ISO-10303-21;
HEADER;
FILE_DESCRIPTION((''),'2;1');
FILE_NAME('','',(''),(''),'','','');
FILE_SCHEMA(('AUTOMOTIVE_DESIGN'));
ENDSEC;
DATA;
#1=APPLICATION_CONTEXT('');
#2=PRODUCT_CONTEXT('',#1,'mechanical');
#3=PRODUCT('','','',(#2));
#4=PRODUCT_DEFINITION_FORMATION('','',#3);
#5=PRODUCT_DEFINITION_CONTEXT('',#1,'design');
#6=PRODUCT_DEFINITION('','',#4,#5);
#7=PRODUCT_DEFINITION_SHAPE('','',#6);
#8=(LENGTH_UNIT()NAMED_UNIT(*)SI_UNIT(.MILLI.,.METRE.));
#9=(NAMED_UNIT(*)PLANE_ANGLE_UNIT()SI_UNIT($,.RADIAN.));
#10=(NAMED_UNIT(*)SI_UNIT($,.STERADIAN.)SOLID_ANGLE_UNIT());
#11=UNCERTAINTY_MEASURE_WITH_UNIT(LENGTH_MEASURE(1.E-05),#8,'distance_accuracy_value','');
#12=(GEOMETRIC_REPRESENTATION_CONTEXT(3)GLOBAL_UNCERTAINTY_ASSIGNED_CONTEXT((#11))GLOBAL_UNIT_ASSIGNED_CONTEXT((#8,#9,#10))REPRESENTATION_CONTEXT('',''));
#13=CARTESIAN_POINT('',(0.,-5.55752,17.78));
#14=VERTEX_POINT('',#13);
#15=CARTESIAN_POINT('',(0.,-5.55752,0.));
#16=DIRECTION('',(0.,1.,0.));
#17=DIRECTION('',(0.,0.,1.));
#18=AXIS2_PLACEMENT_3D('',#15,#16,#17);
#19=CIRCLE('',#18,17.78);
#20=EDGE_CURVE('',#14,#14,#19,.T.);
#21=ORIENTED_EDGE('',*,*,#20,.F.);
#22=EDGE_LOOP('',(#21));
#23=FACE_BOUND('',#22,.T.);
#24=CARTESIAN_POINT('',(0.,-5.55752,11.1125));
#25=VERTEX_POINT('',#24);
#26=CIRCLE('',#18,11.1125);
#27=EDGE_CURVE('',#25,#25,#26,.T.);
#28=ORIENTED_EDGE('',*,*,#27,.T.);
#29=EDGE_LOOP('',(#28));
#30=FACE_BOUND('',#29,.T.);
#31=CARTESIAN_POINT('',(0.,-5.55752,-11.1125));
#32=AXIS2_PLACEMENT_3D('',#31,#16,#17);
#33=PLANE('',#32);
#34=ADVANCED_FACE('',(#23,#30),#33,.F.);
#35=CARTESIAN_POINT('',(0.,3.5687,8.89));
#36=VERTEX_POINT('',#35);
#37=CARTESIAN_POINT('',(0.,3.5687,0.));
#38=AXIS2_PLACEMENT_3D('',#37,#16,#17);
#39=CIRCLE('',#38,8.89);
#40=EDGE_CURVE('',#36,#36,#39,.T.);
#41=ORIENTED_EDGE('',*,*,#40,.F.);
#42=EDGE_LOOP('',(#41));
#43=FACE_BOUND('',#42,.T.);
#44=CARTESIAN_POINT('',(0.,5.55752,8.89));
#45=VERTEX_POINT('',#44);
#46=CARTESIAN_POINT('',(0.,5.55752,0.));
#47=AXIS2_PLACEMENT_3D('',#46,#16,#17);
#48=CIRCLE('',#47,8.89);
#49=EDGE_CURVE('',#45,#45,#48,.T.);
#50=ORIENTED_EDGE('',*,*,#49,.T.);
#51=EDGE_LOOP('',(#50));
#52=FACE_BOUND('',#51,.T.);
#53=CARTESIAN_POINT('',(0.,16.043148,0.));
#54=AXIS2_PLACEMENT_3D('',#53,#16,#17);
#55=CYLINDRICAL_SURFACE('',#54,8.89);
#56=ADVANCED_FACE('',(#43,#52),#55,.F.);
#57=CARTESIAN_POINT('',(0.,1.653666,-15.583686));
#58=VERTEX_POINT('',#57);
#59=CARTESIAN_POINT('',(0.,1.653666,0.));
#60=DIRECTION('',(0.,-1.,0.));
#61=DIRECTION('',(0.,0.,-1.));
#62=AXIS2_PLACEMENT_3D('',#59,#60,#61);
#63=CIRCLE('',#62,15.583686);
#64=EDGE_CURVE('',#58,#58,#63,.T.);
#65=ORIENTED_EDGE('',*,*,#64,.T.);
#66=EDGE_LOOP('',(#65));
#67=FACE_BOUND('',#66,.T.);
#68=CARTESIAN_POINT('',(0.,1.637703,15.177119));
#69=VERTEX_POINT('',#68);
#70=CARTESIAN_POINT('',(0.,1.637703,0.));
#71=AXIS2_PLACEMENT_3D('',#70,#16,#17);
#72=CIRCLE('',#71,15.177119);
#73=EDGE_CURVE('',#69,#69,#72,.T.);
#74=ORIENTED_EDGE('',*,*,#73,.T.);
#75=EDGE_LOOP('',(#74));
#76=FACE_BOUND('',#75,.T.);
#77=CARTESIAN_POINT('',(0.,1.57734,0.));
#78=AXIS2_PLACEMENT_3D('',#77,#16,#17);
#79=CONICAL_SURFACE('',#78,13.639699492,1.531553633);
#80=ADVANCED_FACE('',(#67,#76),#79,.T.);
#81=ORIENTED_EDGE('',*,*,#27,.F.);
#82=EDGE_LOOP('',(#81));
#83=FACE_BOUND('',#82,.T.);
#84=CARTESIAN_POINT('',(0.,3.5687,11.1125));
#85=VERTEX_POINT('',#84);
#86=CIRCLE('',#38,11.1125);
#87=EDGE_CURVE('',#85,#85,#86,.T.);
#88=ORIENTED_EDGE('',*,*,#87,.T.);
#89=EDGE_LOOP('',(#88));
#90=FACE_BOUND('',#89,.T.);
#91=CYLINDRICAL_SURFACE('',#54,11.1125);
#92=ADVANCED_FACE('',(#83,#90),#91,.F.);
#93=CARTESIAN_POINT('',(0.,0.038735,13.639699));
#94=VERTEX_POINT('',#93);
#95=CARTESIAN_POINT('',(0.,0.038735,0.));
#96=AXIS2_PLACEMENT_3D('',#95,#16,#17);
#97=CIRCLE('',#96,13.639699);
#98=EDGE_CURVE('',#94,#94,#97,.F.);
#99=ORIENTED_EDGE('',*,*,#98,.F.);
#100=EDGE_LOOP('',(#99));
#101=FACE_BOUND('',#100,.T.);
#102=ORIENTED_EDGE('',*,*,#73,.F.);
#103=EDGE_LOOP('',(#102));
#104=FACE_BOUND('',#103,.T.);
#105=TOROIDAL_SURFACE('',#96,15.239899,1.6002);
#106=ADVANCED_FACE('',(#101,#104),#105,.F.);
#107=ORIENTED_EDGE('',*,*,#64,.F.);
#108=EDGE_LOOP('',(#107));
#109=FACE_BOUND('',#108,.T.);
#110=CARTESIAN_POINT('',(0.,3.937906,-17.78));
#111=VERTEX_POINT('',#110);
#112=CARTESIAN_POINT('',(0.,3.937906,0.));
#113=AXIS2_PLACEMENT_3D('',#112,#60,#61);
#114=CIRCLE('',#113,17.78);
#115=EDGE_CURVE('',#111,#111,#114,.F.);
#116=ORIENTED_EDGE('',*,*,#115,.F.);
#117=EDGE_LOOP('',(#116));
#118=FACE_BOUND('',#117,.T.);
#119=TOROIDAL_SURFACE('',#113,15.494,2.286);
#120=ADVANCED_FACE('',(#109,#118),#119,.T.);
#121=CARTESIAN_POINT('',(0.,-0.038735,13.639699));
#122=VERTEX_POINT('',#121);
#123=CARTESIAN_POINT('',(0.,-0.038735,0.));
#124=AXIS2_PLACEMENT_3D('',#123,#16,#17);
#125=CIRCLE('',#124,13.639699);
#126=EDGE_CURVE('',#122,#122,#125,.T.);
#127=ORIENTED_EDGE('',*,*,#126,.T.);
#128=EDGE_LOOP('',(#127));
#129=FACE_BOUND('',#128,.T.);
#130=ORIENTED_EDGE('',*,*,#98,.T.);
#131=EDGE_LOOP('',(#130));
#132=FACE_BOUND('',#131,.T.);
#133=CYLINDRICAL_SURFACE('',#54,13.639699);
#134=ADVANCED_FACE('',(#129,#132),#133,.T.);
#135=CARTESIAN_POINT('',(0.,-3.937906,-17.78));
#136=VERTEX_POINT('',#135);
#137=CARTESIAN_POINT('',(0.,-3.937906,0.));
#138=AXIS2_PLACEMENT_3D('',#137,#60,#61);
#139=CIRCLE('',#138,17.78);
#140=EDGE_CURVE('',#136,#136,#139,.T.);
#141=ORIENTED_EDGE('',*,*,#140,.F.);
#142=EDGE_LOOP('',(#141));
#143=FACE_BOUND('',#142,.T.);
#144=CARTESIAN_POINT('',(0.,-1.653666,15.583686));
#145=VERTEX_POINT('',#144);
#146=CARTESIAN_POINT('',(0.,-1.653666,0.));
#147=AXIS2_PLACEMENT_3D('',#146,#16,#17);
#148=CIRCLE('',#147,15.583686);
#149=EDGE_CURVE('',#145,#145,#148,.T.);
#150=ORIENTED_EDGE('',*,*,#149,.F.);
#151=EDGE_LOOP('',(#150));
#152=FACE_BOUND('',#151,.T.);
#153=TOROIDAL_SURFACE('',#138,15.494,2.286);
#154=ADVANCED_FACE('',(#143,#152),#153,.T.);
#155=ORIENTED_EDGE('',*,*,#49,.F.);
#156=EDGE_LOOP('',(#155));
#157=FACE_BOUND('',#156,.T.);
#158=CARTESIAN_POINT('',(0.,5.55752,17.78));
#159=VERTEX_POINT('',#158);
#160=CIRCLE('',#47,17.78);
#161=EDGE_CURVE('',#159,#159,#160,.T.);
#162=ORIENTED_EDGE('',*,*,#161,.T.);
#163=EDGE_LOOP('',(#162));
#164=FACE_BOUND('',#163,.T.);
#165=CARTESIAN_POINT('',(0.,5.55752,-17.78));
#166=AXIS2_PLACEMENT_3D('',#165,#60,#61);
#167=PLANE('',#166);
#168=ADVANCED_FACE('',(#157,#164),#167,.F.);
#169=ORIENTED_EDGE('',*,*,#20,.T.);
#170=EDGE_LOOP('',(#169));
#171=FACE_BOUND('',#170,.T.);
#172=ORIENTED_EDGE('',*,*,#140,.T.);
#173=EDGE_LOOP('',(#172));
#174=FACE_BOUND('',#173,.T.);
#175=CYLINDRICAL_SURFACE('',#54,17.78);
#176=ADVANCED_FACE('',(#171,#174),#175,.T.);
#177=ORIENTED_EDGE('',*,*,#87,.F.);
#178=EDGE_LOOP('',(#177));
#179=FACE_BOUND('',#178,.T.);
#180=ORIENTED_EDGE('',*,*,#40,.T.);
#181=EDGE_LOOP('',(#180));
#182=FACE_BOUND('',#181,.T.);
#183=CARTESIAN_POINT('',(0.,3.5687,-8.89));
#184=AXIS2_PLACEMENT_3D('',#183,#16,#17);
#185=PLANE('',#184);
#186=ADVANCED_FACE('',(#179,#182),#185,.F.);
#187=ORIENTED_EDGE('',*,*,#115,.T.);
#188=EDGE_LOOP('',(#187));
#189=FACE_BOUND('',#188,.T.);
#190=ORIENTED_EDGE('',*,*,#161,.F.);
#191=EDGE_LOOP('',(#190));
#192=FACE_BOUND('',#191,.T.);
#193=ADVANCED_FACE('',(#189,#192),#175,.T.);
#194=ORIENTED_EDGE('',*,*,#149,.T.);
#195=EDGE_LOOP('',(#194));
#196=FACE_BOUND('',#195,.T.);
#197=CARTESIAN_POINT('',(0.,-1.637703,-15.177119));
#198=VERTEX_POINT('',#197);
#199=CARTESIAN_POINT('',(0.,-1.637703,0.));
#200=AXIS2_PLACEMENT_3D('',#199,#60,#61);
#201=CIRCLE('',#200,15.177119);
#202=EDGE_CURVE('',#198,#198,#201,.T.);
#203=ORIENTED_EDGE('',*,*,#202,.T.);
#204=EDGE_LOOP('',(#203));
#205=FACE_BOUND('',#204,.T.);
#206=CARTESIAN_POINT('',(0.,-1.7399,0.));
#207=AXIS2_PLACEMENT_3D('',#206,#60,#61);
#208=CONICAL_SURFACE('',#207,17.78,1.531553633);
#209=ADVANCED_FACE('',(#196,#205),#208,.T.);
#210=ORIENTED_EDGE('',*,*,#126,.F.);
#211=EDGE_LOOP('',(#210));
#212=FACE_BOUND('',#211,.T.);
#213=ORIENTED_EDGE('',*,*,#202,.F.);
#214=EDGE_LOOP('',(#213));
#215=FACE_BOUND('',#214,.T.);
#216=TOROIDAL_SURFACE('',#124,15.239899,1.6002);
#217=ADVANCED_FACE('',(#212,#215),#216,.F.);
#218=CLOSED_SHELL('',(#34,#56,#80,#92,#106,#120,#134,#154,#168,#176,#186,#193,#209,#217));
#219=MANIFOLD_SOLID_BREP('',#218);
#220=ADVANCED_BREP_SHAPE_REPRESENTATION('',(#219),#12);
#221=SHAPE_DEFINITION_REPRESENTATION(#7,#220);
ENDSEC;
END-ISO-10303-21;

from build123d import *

# Parameters (mm, degrees)
FILLET5_R = 2.286
FILLET6_R = 1.6002


with BuildPart() as part:
    # Sketch2 → Revolve1 (revolve)
    with BuildSketch(Plane(origin=(0, 0, 0), x_dir=(0, 0, -1), z_dir=(1, 0, 0))):
        Polygon((8.89, 5.55752), (8.89, 3.5687), (11.1125, 3.5687), (11.1125, -5.55752), (17.78, -5.55752), (17.78, -1.7399), (13.639699492, -1.57734), (13.639699492, 1.57734), (17.78, 1.7399), (17.78, 5.55752), align=None)
    revolve(axis=Axis((0, 16.043148, 0), (0, -1, 0)))

    # Fillet5
    fillet5_edges = [part.edges().sort_by_distance(p)[0] for p in [
        (0, 1.7399, 17.78),
        (0, -1.7399, 17.78),
    ]]
    fillet(fillet5_edges, radius=FILLET5_R)

    # Fillet6
    fillet6_edges = [part.edges().sort_by_distance(p)[0] for p in [
        (0, 1.57734, 13.639699492),
        (0, -1.57734, 13.639699492),
    ]]
    fillet(fillet6_edges, radius=FILLET6_R)


solid = part.part
